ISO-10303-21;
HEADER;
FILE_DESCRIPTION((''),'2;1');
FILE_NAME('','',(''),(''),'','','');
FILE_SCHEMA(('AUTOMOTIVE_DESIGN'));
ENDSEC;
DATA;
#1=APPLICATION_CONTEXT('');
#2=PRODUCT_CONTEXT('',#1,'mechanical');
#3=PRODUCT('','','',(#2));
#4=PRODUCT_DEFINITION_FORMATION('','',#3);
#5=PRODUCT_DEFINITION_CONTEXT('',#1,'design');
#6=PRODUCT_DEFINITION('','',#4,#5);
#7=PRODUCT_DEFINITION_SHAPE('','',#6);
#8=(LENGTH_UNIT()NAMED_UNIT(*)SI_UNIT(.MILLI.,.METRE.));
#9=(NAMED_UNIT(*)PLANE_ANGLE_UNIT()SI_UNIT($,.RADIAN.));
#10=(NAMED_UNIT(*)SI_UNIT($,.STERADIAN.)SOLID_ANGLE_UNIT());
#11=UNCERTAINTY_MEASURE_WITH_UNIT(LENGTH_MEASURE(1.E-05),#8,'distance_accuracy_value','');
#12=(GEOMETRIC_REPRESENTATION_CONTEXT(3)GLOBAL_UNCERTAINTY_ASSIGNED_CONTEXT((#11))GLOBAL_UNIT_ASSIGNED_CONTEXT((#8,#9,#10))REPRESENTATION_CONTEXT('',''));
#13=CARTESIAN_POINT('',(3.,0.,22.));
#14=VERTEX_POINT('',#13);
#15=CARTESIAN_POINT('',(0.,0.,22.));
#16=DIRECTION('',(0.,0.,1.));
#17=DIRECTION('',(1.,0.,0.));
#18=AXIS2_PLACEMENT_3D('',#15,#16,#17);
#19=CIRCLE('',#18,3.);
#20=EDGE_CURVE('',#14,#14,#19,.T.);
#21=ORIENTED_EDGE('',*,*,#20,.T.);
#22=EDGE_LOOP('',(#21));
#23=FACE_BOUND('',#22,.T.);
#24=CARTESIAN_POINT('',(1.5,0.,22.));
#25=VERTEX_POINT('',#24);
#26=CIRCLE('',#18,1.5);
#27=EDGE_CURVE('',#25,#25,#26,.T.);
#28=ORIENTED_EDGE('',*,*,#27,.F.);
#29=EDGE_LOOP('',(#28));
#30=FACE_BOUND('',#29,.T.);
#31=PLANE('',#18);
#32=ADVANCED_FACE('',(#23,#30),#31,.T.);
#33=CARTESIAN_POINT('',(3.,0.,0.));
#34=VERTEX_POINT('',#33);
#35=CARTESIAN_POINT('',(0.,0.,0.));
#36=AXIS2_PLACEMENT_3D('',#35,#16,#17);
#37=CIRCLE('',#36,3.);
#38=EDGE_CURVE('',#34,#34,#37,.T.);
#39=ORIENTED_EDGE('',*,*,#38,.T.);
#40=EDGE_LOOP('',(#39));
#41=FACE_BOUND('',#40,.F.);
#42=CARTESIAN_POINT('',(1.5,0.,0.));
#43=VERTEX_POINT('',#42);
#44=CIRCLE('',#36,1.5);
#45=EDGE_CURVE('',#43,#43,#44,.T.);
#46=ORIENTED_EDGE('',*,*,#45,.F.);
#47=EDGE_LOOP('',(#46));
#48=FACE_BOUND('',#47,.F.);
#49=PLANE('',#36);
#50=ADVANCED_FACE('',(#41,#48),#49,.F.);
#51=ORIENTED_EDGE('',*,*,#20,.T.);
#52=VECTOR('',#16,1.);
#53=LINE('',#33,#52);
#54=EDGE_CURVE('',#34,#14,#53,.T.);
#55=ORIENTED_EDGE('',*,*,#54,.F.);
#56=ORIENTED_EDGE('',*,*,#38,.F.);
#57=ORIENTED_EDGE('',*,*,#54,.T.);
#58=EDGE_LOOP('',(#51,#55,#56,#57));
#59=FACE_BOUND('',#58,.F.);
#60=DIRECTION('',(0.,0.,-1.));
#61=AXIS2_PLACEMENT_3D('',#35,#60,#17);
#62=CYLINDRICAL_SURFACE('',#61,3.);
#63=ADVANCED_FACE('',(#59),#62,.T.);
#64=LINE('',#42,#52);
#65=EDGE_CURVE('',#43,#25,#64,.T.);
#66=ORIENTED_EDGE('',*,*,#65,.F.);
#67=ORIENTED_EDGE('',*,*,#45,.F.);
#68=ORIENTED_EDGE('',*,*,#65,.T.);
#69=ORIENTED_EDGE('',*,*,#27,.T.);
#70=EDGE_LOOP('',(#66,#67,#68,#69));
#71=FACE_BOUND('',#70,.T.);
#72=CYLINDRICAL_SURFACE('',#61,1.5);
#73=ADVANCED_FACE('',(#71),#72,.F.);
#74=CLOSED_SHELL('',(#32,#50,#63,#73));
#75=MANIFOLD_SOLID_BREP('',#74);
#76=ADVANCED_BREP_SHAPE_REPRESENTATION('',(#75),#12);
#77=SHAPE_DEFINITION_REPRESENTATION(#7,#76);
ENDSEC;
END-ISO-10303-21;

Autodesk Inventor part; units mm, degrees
ref_plane "YZ Plane" through (0, 0, 0) normal (1, 0, 0) x (0, 1, 0)
ref_plane "XZ Plane" through (0, 0, 0) normal (0, 1, 0) x (-1, 0, 0)
ref_plane "XY Plane" through (0, 0, 0) normal (0, 0, 1) x (1, 0, 0)
sketch "スケッチ1" plane through (0, 0, 0) normal (0, 0, 1) x (1, 0, 0)
  circle A0 centre (0, 0) radius 3
  circle A1 centre (0, 0) radius 1.5
  dimension "d0" = 6
  dimension "d1" = 3
extrude "押し出し1" add sketch "スケッチ1" along normal blind 22
properties part number "スペーサーm3,22" material "アルミニウム 7075"
